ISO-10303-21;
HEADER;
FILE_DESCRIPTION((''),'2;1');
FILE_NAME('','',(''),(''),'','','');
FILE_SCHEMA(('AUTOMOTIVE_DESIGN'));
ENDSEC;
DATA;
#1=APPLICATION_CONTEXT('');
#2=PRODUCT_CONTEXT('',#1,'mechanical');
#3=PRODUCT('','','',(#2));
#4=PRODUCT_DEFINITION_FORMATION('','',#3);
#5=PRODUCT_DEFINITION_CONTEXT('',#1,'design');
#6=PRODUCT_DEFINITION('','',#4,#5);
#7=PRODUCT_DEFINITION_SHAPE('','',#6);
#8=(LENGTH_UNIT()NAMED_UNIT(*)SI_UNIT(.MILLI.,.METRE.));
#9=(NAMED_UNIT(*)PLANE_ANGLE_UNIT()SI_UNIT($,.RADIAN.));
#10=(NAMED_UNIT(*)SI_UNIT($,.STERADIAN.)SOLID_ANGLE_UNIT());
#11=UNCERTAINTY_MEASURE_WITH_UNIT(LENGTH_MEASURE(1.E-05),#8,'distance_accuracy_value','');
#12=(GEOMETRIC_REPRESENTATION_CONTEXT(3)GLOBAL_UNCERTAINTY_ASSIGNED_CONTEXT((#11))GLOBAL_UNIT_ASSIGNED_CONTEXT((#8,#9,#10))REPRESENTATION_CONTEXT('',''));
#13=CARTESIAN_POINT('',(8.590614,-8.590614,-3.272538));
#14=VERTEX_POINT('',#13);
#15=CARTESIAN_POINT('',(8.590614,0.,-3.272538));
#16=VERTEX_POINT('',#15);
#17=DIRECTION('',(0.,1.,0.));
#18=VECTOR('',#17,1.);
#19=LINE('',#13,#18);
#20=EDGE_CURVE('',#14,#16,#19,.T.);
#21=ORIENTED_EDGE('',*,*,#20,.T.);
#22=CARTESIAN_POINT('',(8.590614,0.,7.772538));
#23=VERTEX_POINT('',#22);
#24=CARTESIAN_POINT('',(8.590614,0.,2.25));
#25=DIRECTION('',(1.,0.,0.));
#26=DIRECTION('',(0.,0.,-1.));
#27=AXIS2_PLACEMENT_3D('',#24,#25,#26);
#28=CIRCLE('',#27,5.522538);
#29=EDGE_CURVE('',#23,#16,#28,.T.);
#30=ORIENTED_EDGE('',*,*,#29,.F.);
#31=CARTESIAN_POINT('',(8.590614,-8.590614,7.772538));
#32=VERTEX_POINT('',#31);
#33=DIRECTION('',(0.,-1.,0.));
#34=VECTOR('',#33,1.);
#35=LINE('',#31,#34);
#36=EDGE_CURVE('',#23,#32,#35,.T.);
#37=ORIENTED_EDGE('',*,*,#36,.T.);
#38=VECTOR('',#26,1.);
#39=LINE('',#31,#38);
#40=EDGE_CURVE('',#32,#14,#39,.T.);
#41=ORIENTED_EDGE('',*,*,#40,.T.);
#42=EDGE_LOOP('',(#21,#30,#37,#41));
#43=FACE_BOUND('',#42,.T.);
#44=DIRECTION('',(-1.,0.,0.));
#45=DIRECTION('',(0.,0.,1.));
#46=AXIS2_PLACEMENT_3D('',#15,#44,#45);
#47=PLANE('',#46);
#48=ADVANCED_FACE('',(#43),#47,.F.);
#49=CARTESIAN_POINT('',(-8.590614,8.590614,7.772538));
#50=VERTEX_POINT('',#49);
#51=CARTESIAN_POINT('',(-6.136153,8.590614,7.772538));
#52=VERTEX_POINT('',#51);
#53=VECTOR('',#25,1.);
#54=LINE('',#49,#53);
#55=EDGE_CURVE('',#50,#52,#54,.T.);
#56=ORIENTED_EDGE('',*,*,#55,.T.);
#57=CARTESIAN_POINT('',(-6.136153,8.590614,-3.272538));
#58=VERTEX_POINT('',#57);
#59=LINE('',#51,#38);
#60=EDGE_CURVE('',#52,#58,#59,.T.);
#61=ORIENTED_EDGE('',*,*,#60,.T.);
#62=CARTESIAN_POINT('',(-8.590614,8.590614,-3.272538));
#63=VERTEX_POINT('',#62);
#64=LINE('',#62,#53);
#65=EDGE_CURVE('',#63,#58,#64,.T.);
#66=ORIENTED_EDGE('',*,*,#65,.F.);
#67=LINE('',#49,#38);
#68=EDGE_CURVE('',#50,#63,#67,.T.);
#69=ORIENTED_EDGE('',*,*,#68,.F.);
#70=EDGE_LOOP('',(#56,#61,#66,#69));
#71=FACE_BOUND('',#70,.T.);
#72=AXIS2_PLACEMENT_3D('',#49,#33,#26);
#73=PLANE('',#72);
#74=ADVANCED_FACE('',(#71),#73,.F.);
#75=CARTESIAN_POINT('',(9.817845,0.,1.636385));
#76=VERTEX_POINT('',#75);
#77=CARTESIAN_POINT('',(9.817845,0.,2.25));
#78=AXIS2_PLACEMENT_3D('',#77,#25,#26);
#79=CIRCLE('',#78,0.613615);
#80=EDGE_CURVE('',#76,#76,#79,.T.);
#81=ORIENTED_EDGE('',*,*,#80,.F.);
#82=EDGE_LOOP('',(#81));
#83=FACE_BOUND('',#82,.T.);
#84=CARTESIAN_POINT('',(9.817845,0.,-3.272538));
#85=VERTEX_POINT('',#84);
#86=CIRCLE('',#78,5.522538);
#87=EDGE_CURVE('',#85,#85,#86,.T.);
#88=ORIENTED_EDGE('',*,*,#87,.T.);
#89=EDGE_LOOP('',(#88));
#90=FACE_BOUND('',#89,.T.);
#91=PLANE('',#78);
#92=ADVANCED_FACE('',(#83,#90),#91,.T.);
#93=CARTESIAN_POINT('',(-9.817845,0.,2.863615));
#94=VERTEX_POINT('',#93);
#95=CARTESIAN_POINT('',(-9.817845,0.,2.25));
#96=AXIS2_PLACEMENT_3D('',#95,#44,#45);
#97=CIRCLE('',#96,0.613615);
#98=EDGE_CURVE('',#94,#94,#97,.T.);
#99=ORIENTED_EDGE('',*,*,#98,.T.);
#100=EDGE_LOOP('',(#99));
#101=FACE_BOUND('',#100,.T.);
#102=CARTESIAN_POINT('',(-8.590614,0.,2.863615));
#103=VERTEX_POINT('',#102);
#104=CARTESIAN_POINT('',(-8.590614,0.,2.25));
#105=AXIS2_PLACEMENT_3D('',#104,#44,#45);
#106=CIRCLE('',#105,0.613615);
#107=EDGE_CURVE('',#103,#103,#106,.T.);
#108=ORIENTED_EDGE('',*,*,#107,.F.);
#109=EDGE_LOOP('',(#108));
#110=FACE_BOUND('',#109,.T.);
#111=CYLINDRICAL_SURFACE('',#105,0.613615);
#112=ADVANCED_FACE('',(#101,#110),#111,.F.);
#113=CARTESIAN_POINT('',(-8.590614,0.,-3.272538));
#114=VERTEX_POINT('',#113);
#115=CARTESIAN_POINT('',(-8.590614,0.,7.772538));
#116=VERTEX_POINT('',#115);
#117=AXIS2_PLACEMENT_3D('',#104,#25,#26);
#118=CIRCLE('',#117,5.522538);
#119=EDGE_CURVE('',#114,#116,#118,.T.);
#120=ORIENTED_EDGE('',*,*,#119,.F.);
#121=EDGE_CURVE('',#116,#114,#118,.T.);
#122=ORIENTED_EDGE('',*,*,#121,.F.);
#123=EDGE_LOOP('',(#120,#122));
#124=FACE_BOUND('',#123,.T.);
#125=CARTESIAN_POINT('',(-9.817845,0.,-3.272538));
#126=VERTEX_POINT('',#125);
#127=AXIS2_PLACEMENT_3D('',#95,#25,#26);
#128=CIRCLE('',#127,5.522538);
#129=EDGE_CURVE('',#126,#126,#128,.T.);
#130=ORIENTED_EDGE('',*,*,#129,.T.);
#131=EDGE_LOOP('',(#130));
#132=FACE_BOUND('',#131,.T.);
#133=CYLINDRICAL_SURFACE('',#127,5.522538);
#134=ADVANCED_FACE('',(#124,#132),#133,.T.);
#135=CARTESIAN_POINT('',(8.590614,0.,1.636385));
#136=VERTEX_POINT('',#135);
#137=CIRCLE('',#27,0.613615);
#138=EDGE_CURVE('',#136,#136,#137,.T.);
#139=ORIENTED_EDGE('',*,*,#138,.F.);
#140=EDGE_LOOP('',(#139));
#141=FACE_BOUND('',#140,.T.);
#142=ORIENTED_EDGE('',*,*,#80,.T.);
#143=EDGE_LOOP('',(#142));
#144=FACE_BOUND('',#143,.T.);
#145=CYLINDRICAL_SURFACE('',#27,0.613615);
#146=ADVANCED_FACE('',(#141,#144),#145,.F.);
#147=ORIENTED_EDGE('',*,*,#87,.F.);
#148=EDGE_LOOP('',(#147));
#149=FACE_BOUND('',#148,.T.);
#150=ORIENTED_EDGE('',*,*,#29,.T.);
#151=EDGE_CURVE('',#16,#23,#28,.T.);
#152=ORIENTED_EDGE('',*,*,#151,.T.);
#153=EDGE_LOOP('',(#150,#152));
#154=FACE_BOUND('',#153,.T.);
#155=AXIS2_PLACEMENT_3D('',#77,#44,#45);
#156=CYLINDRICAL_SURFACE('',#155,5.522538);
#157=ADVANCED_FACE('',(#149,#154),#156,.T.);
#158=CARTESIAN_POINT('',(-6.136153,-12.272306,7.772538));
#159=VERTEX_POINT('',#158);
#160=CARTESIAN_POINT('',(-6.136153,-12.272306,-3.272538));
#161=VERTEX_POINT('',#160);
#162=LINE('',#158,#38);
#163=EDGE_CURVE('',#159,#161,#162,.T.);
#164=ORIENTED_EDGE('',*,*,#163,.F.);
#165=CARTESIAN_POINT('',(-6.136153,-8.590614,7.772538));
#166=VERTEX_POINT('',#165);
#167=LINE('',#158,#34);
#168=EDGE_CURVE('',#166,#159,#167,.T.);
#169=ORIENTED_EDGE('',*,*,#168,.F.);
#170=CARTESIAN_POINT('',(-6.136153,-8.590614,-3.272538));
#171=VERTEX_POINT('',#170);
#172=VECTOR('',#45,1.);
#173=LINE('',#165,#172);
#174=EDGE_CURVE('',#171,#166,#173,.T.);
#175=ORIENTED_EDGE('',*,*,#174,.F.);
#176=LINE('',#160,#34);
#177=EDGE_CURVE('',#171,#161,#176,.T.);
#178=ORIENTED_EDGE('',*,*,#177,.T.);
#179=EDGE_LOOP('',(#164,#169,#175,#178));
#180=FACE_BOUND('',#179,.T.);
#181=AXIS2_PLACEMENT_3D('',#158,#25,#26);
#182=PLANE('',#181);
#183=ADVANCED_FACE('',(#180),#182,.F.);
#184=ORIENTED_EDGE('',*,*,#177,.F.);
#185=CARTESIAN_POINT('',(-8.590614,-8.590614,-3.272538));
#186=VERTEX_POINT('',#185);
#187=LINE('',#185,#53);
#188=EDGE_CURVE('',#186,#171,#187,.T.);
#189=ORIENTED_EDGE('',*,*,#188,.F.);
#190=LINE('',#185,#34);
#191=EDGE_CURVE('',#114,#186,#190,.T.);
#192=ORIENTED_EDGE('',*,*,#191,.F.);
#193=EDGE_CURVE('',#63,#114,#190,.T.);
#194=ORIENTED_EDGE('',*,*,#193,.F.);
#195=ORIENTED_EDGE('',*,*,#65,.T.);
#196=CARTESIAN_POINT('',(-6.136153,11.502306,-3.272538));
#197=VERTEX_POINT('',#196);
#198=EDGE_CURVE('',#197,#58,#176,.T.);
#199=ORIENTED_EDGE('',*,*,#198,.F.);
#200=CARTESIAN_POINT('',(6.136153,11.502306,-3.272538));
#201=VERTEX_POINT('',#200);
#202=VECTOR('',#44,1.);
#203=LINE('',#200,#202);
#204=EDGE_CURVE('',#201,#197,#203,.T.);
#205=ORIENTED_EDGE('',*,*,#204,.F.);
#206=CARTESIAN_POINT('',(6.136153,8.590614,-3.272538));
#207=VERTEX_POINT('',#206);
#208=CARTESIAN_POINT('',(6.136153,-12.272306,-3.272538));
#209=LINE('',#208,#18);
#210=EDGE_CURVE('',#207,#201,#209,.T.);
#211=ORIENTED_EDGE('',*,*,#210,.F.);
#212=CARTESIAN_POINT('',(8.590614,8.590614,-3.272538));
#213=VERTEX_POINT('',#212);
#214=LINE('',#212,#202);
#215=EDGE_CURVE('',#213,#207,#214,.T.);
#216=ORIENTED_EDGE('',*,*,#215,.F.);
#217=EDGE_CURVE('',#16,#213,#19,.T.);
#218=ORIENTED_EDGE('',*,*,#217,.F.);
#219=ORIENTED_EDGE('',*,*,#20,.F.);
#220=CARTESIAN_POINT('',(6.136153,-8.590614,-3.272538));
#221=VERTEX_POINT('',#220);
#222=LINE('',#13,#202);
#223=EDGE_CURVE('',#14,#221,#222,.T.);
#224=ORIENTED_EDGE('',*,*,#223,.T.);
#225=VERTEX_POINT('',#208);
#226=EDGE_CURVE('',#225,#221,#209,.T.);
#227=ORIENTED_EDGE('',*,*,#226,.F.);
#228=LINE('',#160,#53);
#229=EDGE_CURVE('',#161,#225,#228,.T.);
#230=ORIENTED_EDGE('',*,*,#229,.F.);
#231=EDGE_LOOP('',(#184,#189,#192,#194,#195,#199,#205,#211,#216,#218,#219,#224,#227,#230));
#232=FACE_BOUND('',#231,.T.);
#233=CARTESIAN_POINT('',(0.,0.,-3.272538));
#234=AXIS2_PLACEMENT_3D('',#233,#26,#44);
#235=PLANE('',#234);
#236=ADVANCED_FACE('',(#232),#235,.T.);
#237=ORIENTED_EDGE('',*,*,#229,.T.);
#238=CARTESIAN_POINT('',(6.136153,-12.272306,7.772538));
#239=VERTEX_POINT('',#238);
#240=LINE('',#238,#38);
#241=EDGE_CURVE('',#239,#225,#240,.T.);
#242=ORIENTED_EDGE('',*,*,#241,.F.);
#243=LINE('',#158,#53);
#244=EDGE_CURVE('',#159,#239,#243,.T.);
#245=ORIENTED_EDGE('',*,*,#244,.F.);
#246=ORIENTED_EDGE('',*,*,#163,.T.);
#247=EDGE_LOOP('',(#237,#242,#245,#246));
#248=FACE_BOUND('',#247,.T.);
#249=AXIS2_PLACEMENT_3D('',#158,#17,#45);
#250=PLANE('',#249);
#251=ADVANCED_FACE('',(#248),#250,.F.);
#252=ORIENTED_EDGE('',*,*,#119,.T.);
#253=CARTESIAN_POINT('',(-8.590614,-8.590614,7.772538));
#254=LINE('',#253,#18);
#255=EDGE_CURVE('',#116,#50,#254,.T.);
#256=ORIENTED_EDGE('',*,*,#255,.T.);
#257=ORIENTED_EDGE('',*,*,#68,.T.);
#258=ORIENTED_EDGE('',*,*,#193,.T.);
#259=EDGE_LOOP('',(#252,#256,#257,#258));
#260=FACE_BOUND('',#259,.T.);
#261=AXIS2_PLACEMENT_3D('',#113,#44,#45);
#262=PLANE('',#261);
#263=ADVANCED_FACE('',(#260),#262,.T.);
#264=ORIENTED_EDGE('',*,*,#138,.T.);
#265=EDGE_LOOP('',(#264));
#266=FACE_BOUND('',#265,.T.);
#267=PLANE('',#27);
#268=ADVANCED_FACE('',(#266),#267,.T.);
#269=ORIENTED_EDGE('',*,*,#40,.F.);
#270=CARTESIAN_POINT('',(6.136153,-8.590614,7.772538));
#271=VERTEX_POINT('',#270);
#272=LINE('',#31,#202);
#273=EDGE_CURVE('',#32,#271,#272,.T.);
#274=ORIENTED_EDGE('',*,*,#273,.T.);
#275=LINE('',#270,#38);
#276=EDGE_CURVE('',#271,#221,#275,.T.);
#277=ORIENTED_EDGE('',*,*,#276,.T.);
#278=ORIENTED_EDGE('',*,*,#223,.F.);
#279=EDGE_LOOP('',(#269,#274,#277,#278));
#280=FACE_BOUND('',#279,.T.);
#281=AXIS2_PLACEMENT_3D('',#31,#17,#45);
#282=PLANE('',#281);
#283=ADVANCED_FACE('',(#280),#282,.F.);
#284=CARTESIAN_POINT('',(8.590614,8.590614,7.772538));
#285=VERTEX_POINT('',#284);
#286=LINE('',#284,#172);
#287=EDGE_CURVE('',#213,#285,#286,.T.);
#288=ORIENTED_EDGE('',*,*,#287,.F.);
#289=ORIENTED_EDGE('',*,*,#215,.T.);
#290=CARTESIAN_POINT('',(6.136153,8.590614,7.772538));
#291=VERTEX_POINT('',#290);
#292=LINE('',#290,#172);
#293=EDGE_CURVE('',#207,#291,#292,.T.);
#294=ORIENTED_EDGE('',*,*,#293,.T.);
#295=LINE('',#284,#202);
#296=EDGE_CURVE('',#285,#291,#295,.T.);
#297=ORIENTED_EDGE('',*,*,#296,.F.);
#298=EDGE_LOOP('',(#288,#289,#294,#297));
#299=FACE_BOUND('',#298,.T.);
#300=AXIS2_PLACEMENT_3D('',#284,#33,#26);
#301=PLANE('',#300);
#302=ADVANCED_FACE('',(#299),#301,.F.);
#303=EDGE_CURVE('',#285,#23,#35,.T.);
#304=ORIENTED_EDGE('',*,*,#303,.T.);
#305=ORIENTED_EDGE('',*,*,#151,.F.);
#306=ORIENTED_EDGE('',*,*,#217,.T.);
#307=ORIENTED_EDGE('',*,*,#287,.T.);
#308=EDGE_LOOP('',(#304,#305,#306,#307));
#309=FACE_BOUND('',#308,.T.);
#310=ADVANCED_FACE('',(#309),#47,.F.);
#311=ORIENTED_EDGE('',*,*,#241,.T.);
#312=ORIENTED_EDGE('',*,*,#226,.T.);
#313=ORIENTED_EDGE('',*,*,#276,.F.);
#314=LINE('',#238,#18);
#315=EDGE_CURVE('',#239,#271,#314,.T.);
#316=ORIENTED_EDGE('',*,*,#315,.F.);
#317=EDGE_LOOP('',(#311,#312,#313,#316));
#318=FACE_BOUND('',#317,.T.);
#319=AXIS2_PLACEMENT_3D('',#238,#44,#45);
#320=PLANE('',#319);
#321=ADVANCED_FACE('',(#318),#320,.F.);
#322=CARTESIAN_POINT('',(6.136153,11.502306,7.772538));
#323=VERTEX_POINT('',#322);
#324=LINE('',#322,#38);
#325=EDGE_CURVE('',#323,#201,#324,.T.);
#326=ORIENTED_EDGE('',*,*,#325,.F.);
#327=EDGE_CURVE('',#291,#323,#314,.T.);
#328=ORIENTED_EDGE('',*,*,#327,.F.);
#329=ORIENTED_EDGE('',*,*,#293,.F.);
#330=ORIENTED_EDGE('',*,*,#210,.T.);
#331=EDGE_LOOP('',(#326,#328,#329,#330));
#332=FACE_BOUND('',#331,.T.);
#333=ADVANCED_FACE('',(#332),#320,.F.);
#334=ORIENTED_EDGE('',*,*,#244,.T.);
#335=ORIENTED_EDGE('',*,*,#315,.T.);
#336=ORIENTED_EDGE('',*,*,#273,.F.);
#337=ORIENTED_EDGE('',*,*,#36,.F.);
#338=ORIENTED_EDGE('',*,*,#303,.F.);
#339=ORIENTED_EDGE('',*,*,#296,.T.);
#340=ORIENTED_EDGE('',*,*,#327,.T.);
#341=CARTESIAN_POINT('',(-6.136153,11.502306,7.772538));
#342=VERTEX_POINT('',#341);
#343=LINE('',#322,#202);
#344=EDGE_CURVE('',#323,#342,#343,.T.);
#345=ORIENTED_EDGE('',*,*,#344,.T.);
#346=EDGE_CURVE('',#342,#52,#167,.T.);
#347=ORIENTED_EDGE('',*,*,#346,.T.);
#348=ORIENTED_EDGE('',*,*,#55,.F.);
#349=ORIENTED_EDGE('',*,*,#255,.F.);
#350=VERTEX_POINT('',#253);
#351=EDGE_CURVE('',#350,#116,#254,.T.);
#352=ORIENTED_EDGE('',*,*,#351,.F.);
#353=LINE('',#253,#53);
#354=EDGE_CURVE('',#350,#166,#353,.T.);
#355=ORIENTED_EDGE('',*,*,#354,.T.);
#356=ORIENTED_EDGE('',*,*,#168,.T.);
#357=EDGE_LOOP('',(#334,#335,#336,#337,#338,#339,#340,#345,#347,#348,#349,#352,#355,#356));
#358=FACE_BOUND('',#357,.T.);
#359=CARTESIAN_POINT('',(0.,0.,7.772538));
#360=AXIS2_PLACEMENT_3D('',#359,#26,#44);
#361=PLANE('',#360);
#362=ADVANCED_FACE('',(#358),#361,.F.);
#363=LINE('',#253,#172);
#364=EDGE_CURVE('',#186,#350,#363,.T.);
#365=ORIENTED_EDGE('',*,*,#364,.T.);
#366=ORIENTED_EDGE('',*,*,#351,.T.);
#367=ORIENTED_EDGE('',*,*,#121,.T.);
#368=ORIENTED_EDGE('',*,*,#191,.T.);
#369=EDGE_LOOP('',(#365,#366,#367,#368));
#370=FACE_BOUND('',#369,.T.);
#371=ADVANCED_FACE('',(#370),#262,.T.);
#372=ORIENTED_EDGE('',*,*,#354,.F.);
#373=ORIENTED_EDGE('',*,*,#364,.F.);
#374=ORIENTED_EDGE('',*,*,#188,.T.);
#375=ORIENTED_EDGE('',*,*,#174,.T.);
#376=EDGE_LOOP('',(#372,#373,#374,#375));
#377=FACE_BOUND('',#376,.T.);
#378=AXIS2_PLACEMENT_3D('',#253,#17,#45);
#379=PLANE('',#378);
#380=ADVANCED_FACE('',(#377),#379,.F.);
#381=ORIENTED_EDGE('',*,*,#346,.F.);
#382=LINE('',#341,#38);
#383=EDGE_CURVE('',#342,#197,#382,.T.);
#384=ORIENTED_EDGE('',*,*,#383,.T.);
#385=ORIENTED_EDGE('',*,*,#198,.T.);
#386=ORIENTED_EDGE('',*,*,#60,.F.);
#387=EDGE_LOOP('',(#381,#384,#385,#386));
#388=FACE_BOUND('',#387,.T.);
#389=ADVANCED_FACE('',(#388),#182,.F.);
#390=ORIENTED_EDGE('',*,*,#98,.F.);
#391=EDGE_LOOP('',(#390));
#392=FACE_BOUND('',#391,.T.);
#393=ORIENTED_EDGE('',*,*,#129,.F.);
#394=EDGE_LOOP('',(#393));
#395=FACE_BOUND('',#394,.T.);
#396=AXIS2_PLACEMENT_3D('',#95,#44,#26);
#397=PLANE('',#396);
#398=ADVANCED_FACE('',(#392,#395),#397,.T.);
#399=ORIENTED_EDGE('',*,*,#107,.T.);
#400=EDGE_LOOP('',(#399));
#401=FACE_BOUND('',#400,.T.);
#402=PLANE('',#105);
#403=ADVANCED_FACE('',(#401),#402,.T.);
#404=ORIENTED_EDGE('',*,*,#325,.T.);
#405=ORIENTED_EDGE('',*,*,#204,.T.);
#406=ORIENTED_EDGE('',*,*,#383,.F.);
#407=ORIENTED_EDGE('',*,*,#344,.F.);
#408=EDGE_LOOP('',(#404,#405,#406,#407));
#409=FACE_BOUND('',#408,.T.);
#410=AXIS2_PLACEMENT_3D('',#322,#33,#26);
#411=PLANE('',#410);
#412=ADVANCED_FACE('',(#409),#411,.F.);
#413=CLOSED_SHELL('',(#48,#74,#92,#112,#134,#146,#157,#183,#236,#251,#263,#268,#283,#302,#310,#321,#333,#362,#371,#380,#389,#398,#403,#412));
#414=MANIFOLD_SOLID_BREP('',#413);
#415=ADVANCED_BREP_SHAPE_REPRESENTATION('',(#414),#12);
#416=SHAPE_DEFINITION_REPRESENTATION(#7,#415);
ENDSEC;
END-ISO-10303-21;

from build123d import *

# Parameters (mm, degrees)
SKETCH_4_W          = 5
SKETCH_4_H          = 10
EXTRUDE_2_DEPTH     = 4.5
SKETCH_5_W          = 4.5
SKETCH_5_H          = 7
EXTRUDE_3_DEPTH     = 1
SKETCH_6_W          = 4.5
SKETCH_6_H          = 7
EXTRUDE_4_DEPTH     = 1
SKETCH_7_R          = 2.25
EXTRUDE_5_DEPTH     = 0.5
SKETCH_8_R          = 0.25
CUT_EXTRUDE_1_DEPTH = 0.5
CUT_EXTRUDE_START   = -0.5
SKETCH_9_R          = 0.25
CUT_EXTRUDE_2_DEPTH = 0.5
SCALE_1_SCALE       = 3.181818182
SCALE_2_SCALE       = 2.454545455
SCALE_3_SCALE       = 0.771428571
SCALE_4_SCALE       = 0.407393437
SKETCH_10_W         = 14.212580929
SKETCH_10_H         = 3.204768758
CUT_EXTRUDE_3_DEPTH = 20.209197968


with BuildPart() as part:
    # 草图4 → 凸台-拉伸2 (new body)
    with BuildSketch(Plane.XY):
        Rectangle(SKETCH_4_W, SKETCH_4_H)
    extrude(amount=EXTRUDE_2_DEPTH)

    # 草图5 → 凸台-拉伸3 (add)
    with BuildSketch(Plane(origin=(2.5, 0, 0), x_dir=(0, 0, -1), z_dir=(1, 0, 0))):
        with Locations((-2.25, 0)):
            Rectangle(SKETCH_5_W, SKETCH_5_H)
    extrude(amount=EXTRUDE_3_DEPTH)

    # 草图6 → 凸台-拉伸4 (add)
    with BuildSketch(Plane.ZY.offset(2.5)):
        with Locations((2.25, 0)):
            Rectangle(SKETCH_6_W, SKETCH_6_H)
    extrude(amount=EXTRUDE_4_DEPTH)

    # 草图7 → 凸台-拉伸5 (add)
    with BuildSketch(Plane(origin=(3.5, 0, 0), x_dir=(0, 0, -1), z_dir=(1, 0, 0))):
        with Locations((-2.25, 0)):
            Circle(SKETCH_7_R)
    extrude_5 = extrude(amount=EXTRUDE_5_DEPTH)

    # 镜向1: 凸台-拉伸5 across plane
    add(extrude_5.mirror(Plane(origin=(0, 0, 0), x_dir=(0, 0, 1), z_dir=(1, 0, 0))))

    # 草图8 → 切除-拉伸1 (cut)
    with BuildSketch(Plane(origin=(4, 0, 0), x_dir=(0, 0, -1), z_dir=(1, 0, 0))):
        with Locations((-2.25, 0)):
            Circle(SKETCH_8_R)
    extrude(amount=-CUT_EXTRUDE_1_DEPTH, mode=Mode.SUBTRACT)

    # 草图9 → 切除-拉伸2 (cut)
    with BuildSketch(Plane.ZY.offset(4).offset(CUT_EXTRUDE_START)):
        with Locations(Location((2.25, 0, 0), (0, 0, 180))):
            Circle(SKETCH_9_R)
    extrude(amount=CUT_EXTRUDE_2_DEPTH, mode=Mode.SUBTRACT)


with BuildPart() as part_1:
    # 缩放比例1: scaled about (0, 0, 2.25)
    add(part.part.scale(SCALE_1_SCALE).moved(Location((0, 0, -4.909090909))))


with BuildPart() as part_2:
    # 缩放比例2: scaled about (0, 0, 2.25)
    add(part_1.part.scale(SCALE_2_SCALE).moved(Location((0, 0, -3.272727273))))


with BuildPart() as part_3:
    # 缩放比例3: scaled about (0, 0, 2.25)
    add(part_2.part.scale(SCALE_3_SCALE).moved(Location((0, 0, 0.514285714))))


with BuildPart() as part_4:
    # 缩放比例4: scaled about (0, 0, 2.25)
    add(part_3.part.scale(SCALE_4_SCALE).moved(Location((0, 0, 1.333364768))))

    # 草图10 → 切除-拉伸3 (cut, through all)
    with BuildSketch(Plane(origin=(0, 0, -3.272537886), x_dir=(-1, 0, 0), z_dir=(0, 0, -1))):
        with Locations((0.970137257, 13.104690793)):
            Rectangle(SKETCH_10_W, SKETCH_10_H)
    extrude(amount=-CUT_EXTRUDE_3_DEPTH, mode=Mode.SUBTRACT)


solid = part_4.part
